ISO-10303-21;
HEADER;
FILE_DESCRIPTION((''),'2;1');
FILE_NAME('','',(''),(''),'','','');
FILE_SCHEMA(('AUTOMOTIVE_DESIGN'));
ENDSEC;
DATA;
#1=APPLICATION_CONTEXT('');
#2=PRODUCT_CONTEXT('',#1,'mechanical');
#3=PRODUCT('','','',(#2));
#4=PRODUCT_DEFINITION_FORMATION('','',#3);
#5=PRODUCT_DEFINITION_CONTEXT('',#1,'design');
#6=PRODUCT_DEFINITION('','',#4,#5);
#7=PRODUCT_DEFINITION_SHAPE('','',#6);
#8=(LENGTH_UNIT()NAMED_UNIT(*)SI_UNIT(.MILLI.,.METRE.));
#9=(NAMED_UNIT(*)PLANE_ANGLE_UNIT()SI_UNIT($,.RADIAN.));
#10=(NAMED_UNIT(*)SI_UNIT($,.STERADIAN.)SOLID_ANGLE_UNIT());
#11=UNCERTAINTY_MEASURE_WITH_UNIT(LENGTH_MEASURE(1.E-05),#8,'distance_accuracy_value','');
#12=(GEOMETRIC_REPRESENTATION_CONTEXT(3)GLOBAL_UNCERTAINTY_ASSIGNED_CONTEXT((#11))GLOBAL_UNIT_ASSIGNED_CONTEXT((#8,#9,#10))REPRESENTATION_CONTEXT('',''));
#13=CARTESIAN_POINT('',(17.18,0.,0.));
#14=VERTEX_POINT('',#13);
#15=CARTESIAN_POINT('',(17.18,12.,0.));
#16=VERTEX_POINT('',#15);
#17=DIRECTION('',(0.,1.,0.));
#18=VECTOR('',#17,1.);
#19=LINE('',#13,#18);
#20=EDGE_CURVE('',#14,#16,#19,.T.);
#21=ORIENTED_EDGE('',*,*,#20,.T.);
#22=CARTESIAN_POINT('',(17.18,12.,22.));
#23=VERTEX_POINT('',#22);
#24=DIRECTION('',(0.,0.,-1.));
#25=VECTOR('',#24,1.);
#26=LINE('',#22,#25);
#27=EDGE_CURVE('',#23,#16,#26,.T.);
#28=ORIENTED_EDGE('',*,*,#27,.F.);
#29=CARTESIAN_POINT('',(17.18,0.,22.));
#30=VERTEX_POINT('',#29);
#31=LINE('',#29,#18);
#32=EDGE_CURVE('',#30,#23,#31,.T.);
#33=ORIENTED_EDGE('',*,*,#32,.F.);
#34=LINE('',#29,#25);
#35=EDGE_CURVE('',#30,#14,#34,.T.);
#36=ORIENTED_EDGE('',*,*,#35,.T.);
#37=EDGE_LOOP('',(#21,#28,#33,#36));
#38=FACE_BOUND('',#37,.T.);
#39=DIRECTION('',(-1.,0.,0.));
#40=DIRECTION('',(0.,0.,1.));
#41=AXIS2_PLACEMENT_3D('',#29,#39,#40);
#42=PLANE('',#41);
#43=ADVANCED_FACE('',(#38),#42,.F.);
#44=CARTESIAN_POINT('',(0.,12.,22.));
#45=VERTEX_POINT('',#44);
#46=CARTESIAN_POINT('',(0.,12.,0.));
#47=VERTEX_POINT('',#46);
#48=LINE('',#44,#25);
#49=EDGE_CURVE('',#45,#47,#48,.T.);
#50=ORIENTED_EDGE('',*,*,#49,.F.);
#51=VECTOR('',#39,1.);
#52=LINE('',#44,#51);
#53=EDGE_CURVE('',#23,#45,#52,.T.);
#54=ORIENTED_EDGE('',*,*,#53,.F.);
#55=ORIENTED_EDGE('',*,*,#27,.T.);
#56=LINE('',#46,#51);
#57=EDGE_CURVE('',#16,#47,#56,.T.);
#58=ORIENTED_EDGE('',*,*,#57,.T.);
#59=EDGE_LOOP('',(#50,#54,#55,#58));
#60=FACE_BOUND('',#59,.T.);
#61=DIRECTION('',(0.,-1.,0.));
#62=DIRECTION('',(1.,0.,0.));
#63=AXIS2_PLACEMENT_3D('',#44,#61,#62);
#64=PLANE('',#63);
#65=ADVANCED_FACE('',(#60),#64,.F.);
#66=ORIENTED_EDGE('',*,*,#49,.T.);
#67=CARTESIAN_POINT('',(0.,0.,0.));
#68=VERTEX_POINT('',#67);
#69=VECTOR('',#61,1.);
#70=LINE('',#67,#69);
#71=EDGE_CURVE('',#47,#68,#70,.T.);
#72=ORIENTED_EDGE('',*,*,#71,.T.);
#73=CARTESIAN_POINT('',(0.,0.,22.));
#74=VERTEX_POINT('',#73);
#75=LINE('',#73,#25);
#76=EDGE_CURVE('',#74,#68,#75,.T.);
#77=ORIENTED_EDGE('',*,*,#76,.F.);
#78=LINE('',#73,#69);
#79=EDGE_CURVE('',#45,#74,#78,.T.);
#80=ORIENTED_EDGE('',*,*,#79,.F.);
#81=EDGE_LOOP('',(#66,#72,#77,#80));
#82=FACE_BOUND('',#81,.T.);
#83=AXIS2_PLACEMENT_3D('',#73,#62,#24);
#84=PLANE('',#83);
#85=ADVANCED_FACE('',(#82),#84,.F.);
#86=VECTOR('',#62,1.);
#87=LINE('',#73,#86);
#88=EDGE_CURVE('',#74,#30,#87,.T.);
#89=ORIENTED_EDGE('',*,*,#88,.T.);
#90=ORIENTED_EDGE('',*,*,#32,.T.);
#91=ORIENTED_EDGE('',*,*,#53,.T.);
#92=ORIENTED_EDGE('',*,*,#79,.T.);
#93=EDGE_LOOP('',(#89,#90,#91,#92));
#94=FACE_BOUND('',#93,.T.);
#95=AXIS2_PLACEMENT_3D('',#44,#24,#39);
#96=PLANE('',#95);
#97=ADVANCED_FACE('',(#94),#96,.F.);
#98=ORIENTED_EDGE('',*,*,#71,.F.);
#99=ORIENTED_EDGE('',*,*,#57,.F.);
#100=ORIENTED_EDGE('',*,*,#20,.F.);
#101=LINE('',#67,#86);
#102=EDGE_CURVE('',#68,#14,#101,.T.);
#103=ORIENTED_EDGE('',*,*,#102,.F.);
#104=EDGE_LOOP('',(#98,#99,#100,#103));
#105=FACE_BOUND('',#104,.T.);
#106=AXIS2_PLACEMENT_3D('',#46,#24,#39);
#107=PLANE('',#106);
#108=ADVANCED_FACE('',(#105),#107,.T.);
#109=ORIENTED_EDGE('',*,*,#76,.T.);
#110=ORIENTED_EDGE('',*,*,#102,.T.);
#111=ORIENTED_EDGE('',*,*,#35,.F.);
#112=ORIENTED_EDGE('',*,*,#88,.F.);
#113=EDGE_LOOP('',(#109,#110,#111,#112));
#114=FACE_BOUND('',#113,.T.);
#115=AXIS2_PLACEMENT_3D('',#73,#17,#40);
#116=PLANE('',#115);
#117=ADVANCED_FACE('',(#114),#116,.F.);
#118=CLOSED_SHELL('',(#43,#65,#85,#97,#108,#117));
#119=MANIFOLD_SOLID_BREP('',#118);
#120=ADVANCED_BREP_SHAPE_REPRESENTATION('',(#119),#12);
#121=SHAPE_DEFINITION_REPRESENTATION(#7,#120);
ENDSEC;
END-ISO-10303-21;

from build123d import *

# Parameters (mm, degrees)
SKETCH1_W           = 17.18
SKETCH1_H           = 12
BOSS_EXTRUDE1_DEPTH = 22


with BuildPart() as part:
    # Sketch1 → Boss-Extrude1 (new body)
    with BuildSketch(Plane.XY):
        with Locations((8.59, 6)):
            Rectangle(SKETCH1_W, SKETCH1_H)
    extrude(amount=BOSS_EXTRUDE1_DEPTH)


solid = part.part
